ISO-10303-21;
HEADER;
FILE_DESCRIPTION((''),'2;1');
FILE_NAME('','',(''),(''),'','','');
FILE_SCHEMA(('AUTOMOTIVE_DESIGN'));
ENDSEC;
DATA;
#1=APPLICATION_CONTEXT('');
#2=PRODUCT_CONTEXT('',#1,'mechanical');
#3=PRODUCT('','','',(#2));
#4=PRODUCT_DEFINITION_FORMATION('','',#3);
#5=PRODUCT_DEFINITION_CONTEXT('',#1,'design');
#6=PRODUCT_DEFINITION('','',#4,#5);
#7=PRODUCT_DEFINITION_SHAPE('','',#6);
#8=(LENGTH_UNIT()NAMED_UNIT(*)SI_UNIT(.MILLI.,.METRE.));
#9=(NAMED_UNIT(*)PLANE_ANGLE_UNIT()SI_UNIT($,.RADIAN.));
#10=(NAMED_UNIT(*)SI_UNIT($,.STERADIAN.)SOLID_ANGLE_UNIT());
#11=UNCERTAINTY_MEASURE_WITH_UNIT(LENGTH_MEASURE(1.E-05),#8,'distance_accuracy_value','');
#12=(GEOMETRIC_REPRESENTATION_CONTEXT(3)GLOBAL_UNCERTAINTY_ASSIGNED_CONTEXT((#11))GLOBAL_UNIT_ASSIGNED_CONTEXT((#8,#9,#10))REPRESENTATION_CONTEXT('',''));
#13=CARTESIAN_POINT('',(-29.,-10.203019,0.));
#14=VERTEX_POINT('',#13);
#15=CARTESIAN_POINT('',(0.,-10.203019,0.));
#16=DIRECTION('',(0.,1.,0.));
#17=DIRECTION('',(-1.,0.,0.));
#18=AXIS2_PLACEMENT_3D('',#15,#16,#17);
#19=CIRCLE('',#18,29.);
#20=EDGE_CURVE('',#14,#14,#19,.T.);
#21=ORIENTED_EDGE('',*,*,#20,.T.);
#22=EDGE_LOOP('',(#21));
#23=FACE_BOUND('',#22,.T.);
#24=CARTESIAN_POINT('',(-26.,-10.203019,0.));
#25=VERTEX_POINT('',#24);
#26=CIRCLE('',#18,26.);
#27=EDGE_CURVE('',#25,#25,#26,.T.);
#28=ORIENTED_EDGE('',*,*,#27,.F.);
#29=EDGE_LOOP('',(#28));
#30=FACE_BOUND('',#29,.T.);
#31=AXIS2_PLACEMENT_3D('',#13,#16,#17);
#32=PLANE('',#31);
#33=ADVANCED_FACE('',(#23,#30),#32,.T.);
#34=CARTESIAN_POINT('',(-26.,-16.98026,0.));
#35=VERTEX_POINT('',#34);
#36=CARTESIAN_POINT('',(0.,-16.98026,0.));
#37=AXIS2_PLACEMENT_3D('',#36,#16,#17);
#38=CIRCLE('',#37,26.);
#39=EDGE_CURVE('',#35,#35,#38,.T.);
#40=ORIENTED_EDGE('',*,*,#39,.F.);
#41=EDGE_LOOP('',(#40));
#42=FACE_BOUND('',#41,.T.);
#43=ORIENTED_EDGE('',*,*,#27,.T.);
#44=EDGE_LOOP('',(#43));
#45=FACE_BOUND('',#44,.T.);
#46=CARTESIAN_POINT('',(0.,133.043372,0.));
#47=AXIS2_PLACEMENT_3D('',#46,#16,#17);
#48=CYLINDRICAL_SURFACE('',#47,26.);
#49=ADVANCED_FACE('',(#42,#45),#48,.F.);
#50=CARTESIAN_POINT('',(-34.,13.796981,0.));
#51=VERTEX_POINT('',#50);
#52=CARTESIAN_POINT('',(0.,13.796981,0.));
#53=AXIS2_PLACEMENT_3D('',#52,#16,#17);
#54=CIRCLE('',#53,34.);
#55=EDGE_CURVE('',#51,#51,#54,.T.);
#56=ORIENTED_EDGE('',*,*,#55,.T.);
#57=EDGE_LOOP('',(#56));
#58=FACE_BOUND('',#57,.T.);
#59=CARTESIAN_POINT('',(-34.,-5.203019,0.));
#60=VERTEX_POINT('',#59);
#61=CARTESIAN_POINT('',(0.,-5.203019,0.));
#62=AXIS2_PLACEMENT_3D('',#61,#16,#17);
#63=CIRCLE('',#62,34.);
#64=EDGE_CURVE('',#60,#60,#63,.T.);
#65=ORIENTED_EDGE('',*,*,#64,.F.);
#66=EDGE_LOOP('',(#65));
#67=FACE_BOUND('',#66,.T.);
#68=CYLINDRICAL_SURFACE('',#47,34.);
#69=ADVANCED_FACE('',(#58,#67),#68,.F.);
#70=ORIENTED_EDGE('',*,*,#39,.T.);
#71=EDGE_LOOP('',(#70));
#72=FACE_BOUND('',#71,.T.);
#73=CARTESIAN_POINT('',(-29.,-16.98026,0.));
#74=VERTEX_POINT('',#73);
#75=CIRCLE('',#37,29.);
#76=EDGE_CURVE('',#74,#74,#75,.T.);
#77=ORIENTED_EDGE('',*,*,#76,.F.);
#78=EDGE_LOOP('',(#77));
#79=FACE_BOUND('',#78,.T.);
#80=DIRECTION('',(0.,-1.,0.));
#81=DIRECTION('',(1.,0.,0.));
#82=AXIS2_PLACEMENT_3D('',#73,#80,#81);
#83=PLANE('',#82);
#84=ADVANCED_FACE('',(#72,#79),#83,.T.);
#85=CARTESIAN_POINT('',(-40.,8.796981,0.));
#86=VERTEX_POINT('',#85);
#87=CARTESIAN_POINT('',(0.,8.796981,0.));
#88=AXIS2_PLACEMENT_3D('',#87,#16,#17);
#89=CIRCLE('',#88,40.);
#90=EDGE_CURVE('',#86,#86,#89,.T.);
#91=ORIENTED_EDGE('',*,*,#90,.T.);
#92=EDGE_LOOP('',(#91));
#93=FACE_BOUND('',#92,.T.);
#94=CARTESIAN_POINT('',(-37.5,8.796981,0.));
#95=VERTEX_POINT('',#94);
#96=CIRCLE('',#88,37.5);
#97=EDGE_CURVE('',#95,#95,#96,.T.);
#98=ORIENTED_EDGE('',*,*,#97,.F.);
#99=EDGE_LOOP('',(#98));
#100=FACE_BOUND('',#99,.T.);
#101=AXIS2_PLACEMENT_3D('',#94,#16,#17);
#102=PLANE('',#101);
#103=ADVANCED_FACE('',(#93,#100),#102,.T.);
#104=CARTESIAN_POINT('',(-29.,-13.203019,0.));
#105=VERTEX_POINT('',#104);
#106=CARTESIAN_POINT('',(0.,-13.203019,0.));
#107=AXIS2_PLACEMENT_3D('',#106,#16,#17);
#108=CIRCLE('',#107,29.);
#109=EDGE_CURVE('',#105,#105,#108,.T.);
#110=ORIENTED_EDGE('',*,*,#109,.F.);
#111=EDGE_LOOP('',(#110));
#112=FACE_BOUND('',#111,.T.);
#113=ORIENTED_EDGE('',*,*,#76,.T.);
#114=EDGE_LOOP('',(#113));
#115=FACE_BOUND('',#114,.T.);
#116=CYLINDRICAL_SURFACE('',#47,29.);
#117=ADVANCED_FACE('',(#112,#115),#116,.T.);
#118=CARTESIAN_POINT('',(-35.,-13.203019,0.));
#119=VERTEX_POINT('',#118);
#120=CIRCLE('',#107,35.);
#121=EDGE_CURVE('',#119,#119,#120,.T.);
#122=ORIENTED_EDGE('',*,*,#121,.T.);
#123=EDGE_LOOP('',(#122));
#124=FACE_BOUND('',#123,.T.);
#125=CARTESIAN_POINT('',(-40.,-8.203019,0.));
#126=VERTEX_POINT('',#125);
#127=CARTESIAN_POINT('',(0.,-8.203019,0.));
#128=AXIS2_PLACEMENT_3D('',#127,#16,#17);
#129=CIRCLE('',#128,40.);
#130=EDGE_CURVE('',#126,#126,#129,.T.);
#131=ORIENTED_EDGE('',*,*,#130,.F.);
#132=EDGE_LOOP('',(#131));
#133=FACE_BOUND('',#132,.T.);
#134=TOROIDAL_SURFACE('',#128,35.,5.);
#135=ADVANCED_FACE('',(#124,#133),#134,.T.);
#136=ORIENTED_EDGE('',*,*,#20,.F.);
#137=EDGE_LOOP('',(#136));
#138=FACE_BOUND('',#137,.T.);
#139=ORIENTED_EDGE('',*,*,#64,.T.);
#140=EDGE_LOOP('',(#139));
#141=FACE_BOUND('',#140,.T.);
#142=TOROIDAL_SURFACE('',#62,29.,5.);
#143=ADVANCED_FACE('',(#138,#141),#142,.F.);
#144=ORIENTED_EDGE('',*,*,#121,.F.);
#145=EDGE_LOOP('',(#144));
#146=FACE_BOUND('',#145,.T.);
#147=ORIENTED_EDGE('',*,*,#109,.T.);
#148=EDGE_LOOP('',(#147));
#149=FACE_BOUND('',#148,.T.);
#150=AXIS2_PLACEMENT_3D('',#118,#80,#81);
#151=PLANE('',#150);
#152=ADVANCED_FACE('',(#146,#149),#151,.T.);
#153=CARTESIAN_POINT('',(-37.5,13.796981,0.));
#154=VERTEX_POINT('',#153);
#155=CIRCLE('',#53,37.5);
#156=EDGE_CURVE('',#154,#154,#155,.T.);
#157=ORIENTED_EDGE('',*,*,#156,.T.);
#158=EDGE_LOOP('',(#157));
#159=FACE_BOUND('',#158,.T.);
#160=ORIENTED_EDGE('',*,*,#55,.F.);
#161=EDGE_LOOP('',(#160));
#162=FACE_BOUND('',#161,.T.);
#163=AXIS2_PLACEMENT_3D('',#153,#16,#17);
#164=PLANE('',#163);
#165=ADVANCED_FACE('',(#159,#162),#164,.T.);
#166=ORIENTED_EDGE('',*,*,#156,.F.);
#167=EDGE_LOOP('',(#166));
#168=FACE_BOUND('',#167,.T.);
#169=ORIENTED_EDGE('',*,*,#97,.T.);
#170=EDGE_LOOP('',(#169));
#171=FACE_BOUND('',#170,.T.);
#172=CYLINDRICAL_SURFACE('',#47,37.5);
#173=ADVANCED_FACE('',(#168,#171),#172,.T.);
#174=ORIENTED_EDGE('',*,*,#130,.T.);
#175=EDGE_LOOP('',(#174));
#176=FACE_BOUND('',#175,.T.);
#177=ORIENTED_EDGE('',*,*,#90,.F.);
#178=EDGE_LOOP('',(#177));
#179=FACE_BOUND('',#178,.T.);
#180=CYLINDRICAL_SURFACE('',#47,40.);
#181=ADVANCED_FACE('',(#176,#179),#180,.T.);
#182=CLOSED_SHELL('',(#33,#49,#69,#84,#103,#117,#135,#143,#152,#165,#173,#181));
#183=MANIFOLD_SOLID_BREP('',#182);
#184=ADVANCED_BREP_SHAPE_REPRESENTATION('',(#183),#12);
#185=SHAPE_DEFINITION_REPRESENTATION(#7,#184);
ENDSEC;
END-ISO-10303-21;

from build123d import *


with BuildPart() as part:
    # Sketch1 → Revolve1 (revolve)
    with BuildSketch(Plane.XY):
        with BuildLine():
            Line((-40, 8.79698141), (-40, -8.20301859))
            ThreePointArc((-40, -8.20301859), (-38.535533906, -11.738552496), (-35, -13.20301859))
            Line((-35, -13.20301859), (-29, -13.20301859))
            Line((-29, -13.20301859), (-29, -16.980259628))
            Line((-29, -16.980259628), (-26, -16.980259628))
            Line((-26, -16.980259628), (-26, -10.20301859))
            Line((-26, -10.20301859), (-29, -10.20301859))
            ThreePointArc((-29, -10.20301859), (-32.535533906, -8.738552496), (-34, -5.20301859))
            Line((-34, -5.20301859), (-34, 13.79698141))
            Line((-34, 13.79698141), (-37.5, 13.79698141))
            Line((-37.5, 13.79698141), (-37.5, 8.79698141))
            Line((-37.5, 8.79698141), (-40, 8.79698141))
        make_face()
    revolve(axis=Axis((0, 133.043372469, 0), (0, -1, 0)))


solid = part.part
